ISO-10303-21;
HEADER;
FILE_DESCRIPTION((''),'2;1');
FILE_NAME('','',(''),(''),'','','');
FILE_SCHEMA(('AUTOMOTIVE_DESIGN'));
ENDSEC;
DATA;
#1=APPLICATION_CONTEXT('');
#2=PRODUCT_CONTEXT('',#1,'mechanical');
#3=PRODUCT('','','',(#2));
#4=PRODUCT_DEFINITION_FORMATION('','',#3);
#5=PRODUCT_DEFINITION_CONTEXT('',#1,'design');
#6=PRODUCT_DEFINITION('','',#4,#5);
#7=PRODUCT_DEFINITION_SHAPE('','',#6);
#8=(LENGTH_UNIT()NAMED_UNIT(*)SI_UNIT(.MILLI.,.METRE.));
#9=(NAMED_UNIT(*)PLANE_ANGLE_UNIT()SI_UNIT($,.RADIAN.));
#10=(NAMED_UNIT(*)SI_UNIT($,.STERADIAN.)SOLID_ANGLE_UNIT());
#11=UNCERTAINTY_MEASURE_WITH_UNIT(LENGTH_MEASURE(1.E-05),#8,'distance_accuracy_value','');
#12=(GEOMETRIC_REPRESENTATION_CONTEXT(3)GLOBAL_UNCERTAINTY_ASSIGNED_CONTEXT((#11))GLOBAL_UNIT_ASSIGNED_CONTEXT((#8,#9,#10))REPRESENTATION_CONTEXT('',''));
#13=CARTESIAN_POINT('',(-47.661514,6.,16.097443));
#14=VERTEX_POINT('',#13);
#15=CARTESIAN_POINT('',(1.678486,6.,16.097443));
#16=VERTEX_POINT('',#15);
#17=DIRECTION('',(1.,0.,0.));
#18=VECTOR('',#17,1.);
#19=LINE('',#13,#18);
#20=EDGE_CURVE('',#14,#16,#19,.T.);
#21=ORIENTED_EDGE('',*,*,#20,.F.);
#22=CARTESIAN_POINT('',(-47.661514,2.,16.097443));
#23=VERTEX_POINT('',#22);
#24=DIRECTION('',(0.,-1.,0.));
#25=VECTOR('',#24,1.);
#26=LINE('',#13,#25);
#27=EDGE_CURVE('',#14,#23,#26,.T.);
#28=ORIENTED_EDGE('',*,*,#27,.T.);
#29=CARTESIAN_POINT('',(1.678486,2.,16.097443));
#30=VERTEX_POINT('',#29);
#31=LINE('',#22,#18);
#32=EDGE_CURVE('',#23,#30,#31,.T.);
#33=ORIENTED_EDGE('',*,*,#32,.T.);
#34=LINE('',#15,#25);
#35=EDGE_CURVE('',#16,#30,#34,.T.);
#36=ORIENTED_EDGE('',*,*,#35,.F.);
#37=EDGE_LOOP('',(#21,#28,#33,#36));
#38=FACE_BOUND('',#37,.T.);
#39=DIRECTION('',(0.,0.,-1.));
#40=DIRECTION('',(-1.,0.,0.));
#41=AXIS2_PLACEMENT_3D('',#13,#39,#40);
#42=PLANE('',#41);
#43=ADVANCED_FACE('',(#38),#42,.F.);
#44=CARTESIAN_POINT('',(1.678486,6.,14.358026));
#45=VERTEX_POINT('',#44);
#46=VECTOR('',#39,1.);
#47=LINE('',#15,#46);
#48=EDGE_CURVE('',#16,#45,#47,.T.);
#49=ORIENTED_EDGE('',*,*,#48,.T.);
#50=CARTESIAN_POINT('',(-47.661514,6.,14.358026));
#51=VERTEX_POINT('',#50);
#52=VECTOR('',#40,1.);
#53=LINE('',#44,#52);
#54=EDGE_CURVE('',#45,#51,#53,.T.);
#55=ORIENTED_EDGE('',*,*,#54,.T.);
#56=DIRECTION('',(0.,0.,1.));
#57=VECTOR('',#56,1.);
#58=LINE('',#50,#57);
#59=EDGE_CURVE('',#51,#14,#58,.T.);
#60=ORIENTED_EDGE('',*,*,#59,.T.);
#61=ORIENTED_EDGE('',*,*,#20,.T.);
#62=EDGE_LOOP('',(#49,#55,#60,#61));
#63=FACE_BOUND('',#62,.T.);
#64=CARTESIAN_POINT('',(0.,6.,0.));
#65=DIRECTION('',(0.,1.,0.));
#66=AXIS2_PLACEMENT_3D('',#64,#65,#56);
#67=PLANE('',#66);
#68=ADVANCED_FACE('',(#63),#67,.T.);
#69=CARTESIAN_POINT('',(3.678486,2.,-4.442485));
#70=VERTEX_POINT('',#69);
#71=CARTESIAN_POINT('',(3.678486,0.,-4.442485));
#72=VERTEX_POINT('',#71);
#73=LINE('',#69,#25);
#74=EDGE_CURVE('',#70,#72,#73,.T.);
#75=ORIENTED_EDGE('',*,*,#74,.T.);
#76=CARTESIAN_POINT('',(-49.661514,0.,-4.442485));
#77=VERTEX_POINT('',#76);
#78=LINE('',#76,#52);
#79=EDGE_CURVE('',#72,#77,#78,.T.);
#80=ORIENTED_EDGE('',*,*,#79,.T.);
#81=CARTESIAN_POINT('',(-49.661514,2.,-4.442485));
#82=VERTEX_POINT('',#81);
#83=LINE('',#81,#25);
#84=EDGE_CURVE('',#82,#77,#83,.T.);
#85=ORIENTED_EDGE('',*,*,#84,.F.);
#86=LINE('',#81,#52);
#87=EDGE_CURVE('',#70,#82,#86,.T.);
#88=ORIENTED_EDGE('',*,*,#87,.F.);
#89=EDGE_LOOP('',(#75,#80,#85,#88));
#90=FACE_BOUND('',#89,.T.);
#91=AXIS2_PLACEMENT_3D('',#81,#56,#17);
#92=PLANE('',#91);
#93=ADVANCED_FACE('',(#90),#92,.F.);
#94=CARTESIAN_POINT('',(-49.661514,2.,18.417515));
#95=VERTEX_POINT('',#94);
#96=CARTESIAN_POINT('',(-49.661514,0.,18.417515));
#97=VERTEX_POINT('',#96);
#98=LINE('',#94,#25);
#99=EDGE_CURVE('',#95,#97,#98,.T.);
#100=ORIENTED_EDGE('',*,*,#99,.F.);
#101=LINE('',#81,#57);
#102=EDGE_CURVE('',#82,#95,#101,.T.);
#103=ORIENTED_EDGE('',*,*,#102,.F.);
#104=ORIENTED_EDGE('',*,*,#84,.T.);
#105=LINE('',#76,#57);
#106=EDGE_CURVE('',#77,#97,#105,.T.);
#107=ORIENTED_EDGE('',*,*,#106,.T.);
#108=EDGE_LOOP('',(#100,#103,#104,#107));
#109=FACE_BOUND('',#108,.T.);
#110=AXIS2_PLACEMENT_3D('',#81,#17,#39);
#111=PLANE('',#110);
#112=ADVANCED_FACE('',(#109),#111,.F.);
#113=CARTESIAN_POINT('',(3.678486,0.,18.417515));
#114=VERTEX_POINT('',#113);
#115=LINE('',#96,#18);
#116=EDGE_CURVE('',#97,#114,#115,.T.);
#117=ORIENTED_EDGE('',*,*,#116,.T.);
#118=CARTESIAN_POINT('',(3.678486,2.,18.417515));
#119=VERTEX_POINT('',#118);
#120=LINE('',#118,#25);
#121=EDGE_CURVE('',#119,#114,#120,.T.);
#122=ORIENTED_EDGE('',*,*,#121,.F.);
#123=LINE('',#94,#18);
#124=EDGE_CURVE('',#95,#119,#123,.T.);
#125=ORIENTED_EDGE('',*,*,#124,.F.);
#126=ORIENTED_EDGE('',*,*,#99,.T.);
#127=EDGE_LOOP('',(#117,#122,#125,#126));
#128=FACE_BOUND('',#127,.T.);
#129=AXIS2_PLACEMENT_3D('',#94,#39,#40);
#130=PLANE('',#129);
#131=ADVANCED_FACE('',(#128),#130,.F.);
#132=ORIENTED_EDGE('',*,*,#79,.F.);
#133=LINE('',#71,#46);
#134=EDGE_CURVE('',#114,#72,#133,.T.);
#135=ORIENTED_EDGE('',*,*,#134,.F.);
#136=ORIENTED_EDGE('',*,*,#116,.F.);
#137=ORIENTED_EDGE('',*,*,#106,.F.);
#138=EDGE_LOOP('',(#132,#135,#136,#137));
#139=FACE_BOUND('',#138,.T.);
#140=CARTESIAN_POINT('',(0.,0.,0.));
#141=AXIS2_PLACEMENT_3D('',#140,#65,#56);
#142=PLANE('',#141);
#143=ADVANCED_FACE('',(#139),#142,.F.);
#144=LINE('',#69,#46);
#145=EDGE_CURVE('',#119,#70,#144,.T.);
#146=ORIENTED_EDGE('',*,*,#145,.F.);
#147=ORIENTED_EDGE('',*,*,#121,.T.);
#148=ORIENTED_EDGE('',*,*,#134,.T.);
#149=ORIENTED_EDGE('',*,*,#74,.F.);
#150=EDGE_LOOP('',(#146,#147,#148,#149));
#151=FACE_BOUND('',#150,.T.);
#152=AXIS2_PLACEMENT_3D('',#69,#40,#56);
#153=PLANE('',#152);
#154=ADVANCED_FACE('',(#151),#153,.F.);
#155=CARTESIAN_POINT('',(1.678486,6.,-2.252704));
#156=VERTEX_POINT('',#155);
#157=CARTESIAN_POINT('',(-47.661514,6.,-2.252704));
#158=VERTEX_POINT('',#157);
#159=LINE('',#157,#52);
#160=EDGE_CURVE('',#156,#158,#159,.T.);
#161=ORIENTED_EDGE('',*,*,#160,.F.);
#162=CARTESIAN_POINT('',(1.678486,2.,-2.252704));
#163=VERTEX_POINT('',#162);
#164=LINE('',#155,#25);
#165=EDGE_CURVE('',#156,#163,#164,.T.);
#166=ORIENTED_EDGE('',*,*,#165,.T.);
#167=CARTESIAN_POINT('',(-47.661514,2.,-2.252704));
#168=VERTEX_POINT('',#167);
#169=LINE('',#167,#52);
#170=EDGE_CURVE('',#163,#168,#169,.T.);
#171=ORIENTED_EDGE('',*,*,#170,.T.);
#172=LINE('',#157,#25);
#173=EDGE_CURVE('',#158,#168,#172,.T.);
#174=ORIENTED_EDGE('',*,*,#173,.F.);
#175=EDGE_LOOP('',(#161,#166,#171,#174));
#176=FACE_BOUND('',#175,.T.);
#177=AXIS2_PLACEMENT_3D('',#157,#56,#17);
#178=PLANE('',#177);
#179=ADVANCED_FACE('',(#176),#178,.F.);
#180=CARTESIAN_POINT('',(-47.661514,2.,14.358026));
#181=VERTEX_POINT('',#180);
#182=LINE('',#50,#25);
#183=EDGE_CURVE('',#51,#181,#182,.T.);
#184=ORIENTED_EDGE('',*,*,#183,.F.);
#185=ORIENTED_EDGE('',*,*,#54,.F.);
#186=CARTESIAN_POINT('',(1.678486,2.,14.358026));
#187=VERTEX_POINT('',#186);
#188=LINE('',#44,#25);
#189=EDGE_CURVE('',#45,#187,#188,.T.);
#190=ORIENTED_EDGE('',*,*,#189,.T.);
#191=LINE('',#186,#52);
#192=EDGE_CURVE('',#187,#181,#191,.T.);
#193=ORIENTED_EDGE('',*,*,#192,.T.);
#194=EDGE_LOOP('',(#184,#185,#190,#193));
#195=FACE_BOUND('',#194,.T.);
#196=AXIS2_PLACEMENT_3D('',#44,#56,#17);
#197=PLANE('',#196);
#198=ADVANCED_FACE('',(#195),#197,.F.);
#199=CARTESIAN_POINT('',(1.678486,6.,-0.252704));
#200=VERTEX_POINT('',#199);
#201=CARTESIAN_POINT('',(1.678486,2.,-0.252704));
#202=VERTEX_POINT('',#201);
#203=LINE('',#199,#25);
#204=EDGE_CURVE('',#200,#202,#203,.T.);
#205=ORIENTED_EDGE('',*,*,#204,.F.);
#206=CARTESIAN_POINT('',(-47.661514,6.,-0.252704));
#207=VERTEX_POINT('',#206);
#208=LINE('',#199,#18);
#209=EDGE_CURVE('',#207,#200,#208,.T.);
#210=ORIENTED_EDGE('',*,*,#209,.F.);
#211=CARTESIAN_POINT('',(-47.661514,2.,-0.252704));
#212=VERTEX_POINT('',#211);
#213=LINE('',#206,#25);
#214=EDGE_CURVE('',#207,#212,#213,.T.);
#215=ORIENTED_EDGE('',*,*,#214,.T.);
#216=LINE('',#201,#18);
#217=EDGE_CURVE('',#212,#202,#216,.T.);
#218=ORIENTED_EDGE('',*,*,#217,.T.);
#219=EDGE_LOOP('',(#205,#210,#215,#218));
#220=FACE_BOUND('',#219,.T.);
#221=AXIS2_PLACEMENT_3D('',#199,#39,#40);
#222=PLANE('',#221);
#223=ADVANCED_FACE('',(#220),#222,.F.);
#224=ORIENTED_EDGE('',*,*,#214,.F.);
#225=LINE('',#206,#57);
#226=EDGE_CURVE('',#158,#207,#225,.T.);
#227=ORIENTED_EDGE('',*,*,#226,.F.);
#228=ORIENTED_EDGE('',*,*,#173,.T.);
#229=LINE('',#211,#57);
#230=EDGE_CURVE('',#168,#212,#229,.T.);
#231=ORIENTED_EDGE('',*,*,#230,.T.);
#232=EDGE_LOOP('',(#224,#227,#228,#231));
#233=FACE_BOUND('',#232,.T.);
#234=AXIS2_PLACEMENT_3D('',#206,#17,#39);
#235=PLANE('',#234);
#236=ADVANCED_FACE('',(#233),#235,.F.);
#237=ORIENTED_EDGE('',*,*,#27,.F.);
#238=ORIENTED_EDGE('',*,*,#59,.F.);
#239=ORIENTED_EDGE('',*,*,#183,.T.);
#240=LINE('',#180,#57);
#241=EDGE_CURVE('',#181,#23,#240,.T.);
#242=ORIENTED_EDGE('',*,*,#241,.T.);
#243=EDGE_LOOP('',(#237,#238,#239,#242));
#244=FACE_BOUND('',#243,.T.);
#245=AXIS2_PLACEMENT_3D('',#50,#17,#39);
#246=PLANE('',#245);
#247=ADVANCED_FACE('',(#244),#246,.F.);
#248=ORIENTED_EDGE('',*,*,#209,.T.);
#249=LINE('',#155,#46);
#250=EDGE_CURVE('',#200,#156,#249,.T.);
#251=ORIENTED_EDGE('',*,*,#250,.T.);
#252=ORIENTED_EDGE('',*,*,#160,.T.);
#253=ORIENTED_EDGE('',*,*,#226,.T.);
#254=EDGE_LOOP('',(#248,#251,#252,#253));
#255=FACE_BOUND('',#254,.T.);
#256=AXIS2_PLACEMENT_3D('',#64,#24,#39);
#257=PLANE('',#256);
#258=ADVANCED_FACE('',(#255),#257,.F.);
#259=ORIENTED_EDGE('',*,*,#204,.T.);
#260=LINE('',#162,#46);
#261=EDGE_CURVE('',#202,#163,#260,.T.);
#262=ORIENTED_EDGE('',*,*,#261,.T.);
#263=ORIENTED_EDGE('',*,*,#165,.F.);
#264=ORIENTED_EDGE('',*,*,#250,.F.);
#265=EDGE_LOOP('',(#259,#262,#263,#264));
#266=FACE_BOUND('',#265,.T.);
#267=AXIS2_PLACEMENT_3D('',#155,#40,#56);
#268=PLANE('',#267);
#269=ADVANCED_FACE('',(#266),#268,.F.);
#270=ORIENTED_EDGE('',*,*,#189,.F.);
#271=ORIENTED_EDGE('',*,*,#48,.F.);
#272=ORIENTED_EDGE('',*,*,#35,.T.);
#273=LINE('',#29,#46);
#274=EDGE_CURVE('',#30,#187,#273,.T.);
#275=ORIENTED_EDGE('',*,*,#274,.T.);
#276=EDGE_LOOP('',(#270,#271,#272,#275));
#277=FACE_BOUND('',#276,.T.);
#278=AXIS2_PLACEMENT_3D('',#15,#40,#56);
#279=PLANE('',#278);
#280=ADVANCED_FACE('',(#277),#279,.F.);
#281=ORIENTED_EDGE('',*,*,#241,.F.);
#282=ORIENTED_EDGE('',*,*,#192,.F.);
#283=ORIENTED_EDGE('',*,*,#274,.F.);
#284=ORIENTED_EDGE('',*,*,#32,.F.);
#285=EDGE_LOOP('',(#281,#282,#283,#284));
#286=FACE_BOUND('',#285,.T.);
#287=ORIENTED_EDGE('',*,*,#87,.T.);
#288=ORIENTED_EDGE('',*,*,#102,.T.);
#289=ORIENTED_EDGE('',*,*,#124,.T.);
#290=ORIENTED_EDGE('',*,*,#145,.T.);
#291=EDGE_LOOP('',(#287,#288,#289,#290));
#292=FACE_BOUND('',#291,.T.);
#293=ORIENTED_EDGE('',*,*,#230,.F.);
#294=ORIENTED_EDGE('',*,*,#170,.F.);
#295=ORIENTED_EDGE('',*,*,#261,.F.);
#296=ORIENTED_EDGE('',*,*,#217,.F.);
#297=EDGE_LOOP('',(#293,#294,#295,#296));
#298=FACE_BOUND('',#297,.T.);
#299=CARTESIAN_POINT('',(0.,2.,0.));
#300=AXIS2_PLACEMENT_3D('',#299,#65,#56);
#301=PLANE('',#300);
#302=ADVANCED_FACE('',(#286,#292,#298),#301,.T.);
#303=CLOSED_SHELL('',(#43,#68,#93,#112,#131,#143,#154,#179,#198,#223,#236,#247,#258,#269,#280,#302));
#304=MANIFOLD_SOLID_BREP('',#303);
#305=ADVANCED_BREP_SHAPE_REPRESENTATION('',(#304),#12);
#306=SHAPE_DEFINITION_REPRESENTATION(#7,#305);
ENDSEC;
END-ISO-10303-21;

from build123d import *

# Parameters (mm, degrees)
SKETCH_2_W      = 53.34
SKETCH_2_H      = 22.86
EXTRUDE_1_DEPTH = 2
SKETCH_3_W      = 49.34
SKETCH_3_H      = 2
SKETCH_3_H_2    = 1.739417759
EXTRUDE_2_DEPTH = 4


with BuildPart() as part:
    # 草图2 → 凸台-拉伸1 (new body)
    with BuildSketch(Plane(origin=(0, 0, 0), x_dir=(1, 0, 0), z_dir=(0, 1, 0))):
        with Locations((-22.9915138, -6.987515051)):
            Rectangle(SKETCH_2_W, SKETCH_2_H)
    extrude(amount=EXTRUDE_1_DEPTH)

    # 草图3 → 凸台-拉伸2 (add)
    with BuildSketch(Plane(origin=(0, 2, 0), x_dir=(1, 0, 0), z_dir=(0, 1, 0))):
        with Locations((-22.9915138, 1.252704328)):
            Rectangle(SKETCH_3_W, SKETCH_3_H)
        with Locations((-22.9915138, -15.227734431)):
            Rectangle(SKETCH_3_W, SKETCH_3_H_2)
    extrude(amount=EXTRUDE_2_DEPTH)


solid = part.part
